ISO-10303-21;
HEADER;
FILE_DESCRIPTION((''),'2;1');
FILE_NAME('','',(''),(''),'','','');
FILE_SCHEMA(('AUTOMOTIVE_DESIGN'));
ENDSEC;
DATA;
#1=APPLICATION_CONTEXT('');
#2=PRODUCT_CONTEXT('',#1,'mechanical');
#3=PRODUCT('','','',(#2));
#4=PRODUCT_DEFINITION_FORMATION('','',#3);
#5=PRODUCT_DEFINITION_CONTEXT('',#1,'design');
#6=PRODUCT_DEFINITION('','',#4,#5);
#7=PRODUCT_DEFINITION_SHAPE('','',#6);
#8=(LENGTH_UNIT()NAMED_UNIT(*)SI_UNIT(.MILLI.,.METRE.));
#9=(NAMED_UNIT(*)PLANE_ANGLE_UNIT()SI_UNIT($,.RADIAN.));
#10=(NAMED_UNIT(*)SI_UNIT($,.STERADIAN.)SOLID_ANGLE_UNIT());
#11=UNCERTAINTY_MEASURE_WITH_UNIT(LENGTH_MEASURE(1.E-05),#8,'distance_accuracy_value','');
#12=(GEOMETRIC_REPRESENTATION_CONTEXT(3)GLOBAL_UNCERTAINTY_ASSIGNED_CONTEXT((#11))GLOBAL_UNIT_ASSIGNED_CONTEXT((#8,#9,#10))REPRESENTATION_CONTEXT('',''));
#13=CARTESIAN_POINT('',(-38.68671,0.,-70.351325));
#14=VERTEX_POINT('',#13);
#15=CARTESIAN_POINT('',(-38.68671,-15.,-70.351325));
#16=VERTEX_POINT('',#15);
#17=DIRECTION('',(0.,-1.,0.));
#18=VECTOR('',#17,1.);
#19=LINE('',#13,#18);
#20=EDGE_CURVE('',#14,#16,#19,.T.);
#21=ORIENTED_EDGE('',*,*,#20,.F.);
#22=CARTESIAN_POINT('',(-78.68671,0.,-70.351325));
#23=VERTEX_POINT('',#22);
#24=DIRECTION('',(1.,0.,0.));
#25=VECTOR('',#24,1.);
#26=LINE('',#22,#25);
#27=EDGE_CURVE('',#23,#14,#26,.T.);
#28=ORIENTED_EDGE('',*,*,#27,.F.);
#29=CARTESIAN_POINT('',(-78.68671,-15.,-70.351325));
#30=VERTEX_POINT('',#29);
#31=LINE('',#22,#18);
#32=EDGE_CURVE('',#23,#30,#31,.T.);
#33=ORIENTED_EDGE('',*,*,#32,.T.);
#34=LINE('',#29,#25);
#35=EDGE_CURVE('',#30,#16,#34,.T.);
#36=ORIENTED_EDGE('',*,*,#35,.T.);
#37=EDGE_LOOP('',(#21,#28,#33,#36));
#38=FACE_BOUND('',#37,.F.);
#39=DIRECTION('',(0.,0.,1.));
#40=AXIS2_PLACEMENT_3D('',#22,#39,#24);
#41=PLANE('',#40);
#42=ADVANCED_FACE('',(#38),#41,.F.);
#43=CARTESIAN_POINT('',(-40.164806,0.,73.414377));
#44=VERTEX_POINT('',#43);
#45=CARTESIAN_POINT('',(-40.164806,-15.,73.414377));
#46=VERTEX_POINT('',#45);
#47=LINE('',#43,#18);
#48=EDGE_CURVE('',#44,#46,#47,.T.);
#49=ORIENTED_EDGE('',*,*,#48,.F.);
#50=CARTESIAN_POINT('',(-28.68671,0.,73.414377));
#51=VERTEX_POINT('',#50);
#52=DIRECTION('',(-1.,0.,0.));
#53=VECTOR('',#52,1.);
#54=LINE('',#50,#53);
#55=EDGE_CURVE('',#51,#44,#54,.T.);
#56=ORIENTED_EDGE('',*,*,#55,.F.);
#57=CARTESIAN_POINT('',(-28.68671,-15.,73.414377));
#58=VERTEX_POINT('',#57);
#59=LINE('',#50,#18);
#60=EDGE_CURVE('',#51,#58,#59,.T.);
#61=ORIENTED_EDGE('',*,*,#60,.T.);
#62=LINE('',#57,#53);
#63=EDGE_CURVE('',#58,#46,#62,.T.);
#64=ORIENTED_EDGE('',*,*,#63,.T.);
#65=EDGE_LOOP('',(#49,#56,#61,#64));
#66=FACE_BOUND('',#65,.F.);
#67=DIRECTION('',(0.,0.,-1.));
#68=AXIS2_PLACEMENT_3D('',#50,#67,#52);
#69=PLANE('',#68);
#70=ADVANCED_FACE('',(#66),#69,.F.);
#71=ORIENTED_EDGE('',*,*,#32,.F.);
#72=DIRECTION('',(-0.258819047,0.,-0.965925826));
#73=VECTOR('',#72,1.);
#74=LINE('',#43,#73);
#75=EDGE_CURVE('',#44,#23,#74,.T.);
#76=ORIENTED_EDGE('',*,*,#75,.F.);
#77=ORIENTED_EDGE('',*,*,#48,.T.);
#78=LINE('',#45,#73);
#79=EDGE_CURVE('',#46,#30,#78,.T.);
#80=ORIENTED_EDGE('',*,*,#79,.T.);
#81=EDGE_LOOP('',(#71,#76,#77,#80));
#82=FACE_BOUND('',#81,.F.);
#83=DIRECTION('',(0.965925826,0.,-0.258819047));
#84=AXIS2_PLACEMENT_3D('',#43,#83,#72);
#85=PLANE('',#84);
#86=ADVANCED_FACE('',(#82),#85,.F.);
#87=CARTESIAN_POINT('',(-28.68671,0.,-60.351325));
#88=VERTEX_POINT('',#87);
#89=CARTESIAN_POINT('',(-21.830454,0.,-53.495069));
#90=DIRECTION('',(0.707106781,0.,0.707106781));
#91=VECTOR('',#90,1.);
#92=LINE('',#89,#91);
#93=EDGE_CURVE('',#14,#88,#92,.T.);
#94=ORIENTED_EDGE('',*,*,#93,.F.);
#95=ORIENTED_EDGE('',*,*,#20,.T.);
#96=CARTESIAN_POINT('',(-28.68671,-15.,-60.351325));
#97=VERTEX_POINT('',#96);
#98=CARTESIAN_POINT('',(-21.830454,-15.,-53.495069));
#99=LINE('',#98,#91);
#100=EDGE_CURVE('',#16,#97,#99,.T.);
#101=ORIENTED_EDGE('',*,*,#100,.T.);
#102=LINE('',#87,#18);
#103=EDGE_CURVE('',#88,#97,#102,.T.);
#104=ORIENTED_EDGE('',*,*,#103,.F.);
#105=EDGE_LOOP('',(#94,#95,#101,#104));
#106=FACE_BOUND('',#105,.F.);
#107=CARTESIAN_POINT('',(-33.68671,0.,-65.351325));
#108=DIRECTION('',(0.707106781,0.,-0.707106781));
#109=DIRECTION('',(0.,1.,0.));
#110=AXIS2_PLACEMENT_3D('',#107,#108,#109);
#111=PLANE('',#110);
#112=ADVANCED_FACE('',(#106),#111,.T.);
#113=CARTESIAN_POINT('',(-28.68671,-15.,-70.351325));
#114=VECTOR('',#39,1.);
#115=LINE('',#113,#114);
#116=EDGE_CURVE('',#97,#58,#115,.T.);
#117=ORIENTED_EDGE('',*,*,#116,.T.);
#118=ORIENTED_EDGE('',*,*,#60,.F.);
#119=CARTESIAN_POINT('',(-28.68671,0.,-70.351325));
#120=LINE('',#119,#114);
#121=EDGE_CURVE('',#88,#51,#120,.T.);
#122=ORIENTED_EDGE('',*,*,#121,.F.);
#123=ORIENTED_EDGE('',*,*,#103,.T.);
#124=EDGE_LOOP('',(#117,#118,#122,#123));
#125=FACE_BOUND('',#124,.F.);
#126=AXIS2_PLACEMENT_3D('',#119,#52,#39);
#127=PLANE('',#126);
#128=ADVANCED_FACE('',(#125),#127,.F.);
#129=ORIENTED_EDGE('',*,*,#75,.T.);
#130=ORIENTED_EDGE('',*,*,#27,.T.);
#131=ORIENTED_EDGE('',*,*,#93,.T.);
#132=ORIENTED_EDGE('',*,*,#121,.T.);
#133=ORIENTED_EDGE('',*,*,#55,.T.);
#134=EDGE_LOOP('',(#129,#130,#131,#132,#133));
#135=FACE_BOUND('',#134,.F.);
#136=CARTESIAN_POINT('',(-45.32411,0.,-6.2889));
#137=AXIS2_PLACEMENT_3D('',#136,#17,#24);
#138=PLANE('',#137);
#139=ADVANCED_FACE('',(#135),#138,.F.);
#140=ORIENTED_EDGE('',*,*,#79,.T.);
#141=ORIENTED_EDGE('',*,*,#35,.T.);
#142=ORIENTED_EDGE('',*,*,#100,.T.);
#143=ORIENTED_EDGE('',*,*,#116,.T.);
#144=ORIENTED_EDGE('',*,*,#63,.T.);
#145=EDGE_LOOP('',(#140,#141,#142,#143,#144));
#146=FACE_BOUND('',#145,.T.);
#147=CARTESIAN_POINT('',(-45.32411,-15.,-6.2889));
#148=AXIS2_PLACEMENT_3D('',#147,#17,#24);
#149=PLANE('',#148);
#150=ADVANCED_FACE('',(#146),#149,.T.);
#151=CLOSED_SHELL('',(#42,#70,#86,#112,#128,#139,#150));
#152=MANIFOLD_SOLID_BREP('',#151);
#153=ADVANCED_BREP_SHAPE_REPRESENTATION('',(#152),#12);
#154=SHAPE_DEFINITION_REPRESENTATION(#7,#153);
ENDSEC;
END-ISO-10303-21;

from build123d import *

# Parameters (mm, degrees)
F1_DEPTH = 15
F2_SIZE  = 10


with BuildPart() as f1:
    # F0 (on Front) → F1 (new body)
    with BuildSketch(Plane.XZ):
        Polygon((-40.164806, 73.414377), (-78.68671, -70.351325), (-28.68671, -70.351325), (-28.68671, 73.414377), align=None)
    extrude(amount=F1_DEPTH)

    # F2
    f2_edges = [f1.edges().sort_by_distance(p)[0] for p in [
        (-28.68671, -7.5, -70.351325),
    ]]
    chamfer(f2_edges, length=F2_SIZE)


solid = f1.part
